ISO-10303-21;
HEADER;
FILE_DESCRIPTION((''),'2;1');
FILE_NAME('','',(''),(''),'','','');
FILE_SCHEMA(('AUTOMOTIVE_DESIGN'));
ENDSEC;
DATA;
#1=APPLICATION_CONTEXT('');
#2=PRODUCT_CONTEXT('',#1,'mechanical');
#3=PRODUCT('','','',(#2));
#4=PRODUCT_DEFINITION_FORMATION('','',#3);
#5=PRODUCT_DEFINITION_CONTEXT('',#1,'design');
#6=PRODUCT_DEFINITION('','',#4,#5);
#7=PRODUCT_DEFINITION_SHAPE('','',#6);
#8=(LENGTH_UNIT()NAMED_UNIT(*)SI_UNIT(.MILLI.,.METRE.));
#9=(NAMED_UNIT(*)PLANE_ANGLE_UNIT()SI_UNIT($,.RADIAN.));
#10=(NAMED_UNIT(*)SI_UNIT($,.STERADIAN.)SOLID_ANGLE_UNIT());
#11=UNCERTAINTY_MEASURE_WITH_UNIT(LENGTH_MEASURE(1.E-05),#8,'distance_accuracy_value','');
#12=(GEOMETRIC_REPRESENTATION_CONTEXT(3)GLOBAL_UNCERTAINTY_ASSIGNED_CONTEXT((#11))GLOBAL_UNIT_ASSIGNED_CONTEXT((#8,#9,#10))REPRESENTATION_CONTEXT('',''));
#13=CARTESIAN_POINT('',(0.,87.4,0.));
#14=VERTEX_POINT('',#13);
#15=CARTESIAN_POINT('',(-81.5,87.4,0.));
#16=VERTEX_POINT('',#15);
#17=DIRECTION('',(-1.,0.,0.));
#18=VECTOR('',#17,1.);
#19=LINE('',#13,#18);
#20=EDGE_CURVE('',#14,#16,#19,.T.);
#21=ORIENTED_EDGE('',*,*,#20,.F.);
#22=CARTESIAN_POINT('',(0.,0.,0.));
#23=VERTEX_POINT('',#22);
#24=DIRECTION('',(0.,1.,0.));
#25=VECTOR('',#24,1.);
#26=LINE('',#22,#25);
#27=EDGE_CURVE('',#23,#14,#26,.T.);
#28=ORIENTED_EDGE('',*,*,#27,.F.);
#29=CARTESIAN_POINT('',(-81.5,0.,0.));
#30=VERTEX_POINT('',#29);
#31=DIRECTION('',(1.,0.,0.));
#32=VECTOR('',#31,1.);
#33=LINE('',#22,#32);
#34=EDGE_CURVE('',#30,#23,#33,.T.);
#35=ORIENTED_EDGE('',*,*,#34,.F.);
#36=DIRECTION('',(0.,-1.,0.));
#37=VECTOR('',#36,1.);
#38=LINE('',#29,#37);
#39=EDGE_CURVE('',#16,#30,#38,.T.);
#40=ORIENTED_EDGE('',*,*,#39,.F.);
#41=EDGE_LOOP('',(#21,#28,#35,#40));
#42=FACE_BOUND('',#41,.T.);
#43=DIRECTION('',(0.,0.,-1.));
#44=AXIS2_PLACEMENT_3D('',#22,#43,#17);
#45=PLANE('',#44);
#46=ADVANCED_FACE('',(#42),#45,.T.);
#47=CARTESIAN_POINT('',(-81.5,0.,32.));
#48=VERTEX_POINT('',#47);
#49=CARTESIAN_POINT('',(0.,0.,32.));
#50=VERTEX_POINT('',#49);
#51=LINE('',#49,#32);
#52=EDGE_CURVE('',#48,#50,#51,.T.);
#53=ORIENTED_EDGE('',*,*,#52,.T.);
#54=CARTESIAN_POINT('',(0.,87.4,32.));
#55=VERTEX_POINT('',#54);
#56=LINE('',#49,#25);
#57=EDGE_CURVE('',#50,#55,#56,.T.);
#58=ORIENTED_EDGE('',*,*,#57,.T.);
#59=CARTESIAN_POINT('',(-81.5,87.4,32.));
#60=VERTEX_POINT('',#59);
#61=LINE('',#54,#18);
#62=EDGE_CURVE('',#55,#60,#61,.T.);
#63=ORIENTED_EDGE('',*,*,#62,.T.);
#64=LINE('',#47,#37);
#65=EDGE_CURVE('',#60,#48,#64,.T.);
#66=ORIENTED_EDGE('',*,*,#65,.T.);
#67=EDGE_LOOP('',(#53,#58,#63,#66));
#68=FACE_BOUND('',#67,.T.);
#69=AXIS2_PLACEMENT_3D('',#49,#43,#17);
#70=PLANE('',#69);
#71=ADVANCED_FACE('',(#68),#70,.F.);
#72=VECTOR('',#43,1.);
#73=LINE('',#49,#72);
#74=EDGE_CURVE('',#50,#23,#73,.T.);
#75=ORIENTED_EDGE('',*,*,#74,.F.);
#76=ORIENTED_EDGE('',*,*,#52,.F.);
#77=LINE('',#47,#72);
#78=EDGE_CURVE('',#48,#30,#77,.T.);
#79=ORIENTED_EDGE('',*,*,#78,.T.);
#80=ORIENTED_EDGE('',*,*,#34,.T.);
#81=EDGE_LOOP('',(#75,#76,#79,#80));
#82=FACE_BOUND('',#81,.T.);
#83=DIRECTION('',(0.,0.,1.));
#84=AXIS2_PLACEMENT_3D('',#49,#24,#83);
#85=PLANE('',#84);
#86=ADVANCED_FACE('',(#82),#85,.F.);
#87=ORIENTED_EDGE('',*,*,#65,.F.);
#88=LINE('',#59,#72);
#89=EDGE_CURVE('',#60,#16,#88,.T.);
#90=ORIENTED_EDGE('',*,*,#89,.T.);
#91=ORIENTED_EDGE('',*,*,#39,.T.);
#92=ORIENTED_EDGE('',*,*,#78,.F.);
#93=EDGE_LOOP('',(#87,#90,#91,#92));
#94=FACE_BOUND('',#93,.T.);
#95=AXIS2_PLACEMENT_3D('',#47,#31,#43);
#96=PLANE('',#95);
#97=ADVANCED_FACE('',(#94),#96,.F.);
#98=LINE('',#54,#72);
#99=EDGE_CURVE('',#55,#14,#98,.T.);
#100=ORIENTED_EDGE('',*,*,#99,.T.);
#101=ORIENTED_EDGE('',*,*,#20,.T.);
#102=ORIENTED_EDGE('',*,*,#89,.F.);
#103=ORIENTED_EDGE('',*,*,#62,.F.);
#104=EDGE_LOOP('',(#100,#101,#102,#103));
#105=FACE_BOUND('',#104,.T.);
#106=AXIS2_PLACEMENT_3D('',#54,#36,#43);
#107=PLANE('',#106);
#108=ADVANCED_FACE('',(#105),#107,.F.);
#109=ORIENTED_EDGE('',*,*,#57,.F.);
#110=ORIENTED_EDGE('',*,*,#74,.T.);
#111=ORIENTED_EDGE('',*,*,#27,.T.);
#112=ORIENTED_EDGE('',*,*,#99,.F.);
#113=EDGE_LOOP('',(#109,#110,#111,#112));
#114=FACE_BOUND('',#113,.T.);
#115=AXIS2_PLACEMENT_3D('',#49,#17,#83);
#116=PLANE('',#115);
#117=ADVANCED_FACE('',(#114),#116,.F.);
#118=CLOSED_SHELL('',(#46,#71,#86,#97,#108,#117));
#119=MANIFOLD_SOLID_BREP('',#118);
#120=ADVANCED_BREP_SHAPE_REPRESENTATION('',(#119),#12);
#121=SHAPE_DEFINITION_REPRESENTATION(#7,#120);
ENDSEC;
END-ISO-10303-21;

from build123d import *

# Parameters (mm, degrees)
SKETCH_1_W      = 87.4
SKETCH_1_H      = 81.5
EXTRUDE_1_DEPTH = 32


with BuildPart() as part:
    # ｽｹｯﾁ1 → ﾎﾞｽ - 押し出し1 (new body)
    with BuildSketch(Plane(origin=(0, 0, 0), x_dir=(0, 1, 0), z_dir=(0, 0, 1))):
        with Locations((43.7, 40.75)):
            Rectangle(SKETCH_1_W, SKETCH_1_H)
    extrude(amount=EXTRUDE_1_DEPTH)


solid = part.part
